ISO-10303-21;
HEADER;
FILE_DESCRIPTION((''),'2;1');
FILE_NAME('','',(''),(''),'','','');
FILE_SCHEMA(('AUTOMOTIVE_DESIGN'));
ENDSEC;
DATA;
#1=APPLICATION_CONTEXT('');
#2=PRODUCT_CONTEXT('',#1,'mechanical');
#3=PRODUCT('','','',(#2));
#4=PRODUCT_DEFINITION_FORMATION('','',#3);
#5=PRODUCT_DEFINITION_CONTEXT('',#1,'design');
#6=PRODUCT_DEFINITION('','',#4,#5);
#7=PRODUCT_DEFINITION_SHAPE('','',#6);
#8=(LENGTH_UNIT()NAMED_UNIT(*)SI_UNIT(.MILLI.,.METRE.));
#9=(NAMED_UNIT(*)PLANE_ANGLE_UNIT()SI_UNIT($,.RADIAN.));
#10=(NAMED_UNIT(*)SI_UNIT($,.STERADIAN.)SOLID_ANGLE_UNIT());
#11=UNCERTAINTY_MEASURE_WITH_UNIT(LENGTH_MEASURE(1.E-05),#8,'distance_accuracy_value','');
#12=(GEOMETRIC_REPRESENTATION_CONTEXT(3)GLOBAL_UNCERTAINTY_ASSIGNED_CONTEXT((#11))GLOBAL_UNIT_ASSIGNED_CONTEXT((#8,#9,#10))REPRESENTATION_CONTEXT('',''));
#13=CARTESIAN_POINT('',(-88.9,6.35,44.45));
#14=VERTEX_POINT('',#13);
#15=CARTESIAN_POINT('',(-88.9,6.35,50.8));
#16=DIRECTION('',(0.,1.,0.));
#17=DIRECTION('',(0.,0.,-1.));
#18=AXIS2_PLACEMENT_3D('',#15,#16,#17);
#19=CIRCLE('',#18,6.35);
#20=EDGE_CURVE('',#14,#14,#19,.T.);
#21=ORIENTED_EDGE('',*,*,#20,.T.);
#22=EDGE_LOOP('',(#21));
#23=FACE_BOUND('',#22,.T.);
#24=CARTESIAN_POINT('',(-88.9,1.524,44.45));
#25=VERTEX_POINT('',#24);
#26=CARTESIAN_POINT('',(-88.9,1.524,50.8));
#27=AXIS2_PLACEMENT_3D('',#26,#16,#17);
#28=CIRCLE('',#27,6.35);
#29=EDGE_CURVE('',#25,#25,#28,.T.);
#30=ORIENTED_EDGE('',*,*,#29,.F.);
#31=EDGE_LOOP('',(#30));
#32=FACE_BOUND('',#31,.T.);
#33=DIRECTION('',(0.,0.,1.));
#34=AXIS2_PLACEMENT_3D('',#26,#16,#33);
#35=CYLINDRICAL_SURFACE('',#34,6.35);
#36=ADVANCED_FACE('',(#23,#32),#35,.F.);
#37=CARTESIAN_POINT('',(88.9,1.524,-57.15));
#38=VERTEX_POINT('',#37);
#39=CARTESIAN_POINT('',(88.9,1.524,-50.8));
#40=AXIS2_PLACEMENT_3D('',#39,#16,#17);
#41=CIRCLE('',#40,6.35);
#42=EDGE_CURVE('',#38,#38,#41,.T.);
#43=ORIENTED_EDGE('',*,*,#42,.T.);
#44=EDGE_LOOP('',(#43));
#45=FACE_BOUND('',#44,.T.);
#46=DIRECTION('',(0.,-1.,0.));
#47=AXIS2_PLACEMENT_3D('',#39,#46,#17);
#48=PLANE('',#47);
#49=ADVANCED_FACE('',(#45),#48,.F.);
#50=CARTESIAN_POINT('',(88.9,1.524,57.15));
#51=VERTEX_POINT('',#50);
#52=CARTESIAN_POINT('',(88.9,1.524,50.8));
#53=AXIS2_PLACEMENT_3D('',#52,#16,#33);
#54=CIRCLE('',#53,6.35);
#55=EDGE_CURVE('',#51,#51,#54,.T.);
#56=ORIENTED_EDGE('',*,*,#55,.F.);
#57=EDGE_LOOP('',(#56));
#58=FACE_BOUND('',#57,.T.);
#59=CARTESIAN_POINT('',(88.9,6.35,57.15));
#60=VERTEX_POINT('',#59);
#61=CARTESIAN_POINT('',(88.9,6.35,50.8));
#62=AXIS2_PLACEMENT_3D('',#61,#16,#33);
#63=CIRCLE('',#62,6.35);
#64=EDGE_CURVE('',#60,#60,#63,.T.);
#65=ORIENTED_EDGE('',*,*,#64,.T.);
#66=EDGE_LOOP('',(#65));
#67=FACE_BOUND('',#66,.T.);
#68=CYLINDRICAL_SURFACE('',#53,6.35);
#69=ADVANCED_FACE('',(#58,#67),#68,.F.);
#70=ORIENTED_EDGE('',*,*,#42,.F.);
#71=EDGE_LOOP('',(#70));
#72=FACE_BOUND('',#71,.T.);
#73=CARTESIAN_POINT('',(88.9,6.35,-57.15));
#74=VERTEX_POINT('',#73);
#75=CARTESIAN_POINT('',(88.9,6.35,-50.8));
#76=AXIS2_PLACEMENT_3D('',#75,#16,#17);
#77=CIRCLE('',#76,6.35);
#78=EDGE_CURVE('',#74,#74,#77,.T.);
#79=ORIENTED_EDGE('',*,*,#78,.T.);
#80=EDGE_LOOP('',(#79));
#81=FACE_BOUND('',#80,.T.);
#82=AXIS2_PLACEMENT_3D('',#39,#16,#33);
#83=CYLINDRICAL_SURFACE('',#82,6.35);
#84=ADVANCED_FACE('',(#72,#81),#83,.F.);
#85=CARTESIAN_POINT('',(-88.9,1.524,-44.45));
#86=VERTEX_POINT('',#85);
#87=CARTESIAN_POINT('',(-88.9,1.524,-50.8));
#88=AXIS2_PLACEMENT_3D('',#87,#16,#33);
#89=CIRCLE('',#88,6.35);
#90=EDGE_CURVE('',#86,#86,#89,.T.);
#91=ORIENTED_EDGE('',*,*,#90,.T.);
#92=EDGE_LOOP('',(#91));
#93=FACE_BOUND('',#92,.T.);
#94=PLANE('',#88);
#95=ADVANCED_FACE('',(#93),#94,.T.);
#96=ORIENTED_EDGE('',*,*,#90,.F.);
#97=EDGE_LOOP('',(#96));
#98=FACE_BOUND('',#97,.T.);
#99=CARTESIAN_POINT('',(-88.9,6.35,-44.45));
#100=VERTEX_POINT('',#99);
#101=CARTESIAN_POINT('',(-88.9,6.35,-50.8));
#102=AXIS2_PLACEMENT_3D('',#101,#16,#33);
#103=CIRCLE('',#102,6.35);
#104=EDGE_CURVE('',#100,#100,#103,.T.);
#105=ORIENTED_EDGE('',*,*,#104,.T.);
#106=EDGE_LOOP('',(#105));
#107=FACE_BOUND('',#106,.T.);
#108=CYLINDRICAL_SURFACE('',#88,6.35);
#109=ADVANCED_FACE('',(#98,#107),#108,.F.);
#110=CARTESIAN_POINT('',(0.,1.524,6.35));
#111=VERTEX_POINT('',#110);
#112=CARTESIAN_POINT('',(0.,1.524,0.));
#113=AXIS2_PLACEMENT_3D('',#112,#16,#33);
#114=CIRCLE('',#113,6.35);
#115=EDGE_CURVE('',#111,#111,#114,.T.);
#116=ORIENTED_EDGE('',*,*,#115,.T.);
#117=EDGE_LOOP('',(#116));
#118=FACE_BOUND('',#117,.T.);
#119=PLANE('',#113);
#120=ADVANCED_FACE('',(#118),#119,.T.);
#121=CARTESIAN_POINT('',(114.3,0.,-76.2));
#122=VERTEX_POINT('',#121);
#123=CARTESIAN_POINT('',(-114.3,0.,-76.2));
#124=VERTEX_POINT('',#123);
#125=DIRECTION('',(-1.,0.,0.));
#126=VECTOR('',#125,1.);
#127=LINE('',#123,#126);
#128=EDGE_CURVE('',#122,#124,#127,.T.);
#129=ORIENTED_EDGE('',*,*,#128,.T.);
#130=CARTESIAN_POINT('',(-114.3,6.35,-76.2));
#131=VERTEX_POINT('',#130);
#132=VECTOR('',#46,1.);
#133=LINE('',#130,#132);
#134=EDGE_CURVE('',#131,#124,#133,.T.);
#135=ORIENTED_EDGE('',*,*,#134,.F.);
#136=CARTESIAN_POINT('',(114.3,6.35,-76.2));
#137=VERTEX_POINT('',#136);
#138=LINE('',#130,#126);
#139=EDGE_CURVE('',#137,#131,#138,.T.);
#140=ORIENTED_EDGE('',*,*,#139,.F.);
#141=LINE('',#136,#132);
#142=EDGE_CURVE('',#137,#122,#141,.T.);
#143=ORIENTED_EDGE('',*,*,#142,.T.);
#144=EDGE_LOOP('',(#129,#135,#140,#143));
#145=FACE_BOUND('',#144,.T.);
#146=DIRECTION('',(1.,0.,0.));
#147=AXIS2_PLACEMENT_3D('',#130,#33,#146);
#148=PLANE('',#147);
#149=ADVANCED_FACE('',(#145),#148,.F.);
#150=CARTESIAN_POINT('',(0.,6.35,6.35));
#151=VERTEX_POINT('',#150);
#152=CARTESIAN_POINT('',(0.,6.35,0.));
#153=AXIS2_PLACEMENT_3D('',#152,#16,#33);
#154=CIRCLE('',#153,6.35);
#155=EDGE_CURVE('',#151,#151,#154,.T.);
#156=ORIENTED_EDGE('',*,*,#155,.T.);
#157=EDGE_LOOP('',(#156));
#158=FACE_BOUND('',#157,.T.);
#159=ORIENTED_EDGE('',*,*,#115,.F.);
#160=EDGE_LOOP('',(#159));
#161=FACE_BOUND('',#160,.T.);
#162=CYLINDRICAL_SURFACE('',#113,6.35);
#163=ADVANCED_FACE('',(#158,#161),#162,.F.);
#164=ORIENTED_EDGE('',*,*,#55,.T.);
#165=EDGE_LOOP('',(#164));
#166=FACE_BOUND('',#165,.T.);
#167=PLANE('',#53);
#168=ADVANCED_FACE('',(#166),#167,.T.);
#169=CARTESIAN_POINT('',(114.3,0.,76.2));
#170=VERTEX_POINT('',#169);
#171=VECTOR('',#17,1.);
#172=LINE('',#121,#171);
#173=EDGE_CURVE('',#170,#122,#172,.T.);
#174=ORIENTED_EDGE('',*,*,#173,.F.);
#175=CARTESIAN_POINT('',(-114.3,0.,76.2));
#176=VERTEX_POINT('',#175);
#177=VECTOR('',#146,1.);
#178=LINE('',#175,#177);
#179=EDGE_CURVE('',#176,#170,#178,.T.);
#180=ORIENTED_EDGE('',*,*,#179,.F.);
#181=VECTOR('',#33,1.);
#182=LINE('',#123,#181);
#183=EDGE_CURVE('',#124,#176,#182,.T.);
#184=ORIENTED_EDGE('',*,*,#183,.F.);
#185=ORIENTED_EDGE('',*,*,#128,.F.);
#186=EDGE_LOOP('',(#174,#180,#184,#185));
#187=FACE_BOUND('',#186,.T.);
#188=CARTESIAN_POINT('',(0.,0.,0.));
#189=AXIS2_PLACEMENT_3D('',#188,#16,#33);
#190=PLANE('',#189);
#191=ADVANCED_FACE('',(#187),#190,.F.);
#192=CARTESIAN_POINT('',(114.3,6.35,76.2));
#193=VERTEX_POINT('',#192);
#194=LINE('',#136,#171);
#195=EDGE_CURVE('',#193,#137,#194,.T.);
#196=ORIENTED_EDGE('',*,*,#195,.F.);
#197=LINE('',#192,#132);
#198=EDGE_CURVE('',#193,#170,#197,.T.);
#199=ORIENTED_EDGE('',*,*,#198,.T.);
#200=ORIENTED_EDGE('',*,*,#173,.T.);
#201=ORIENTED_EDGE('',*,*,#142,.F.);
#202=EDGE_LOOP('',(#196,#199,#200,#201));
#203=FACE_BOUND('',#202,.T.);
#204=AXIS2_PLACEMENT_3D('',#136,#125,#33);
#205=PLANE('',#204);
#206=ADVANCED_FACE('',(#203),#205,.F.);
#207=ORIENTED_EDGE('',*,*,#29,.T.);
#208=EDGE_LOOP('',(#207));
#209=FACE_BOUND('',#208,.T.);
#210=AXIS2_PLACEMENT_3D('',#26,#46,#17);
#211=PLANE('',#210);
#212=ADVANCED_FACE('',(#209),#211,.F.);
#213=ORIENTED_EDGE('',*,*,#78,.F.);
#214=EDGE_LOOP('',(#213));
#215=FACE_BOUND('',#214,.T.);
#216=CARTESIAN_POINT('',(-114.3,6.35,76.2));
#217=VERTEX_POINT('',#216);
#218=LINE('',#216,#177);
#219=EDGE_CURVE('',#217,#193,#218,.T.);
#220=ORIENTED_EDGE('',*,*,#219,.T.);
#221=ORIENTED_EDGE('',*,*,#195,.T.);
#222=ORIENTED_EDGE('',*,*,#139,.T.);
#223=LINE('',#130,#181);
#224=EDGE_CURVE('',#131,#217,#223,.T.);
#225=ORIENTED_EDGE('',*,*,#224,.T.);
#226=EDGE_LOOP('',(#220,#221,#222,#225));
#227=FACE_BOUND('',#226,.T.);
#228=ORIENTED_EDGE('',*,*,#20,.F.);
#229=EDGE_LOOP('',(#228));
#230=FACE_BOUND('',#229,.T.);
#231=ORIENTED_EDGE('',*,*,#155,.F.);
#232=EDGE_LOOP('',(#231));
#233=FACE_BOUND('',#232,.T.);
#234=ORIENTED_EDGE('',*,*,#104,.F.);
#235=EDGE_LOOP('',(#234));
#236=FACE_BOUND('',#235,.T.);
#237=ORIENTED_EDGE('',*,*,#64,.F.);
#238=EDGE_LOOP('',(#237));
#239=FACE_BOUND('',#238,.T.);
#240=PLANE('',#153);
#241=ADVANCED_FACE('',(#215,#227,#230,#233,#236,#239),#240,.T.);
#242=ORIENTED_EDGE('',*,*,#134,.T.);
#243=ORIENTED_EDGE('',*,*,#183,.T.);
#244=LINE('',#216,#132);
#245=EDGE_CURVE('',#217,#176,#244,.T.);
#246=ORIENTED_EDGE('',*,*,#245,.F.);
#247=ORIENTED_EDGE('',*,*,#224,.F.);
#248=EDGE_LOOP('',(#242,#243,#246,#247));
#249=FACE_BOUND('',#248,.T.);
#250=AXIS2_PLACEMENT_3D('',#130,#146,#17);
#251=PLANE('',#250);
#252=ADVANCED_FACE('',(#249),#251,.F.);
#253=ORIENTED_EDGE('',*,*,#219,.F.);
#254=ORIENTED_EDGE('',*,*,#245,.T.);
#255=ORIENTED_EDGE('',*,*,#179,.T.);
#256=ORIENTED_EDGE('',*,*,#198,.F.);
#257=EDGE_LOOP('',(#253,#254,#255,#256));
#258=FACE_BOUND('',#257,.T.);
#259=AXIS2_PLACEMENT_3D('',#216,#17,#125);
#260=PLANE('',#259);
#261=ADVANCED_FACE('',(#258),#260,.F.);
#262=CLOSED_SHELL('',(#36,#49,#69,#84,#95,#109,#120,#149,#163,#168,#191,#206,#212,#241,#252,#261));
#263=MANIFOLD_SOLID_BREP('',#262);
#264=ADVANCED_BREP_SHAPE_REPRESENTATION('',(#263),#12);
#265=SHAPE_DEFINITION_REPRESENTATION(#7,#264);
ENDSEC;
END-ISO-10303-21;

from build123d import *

# Parameters (mm, degrees)
SKETCH1_W           = 228.6
SKETCH1_H           = 152.4
BOSS_EXTRUDE1_DEPTH = 6.35
SKETCH2_R           = 6.35
CUT_EXTRUDE1_DEPTH  = 4.826


with BuildPart() as part:
    # Sketch1 → Boss-Extrude1 (new body)
    with BuildSketch(Plane(origin=(0, 0, 0), x_dir=(1, 0, 0), z_dir=(0, 1, 0))):
        Rectangle(SKETCH1_W, SKETCH1_H)
    extrude(amount=BOSS_EXTRUDE1_DEPTH)

    # Sketch2 → Cut-Extrude1 (cut)
    with BuildSketch(Plane(origin=(0, 6.35, 0), x_dir=(1, 0, 0), z_dir=(0, 1, 0))):
        with Locations(Location((-88.9, 50.8, 0), (0, 0, 270))):
            Circle(SKETCH2_R)
        with Locations(Location((-88.9, -50.8, 0), (0, 0, 90))):
            Circle(SKETCH2_R)
        with Locations(Location((88.9, -50.8, 0), (0, 0, 270))):
            Circle(SKETCH2_R)
        with Locations(Location((88.9, 50.8, 0), (0, 0, 90))):
            Circle(SKETCH2_R)
        with Locations(Location((0, 0, 0), (0, 0, 270))):
            Circle(SKETCH2_R)
    extrude(amount=-CUT_EXTRUDE1_DEPTH, mode=Mode.SUBTRACT)


solid = part.part
